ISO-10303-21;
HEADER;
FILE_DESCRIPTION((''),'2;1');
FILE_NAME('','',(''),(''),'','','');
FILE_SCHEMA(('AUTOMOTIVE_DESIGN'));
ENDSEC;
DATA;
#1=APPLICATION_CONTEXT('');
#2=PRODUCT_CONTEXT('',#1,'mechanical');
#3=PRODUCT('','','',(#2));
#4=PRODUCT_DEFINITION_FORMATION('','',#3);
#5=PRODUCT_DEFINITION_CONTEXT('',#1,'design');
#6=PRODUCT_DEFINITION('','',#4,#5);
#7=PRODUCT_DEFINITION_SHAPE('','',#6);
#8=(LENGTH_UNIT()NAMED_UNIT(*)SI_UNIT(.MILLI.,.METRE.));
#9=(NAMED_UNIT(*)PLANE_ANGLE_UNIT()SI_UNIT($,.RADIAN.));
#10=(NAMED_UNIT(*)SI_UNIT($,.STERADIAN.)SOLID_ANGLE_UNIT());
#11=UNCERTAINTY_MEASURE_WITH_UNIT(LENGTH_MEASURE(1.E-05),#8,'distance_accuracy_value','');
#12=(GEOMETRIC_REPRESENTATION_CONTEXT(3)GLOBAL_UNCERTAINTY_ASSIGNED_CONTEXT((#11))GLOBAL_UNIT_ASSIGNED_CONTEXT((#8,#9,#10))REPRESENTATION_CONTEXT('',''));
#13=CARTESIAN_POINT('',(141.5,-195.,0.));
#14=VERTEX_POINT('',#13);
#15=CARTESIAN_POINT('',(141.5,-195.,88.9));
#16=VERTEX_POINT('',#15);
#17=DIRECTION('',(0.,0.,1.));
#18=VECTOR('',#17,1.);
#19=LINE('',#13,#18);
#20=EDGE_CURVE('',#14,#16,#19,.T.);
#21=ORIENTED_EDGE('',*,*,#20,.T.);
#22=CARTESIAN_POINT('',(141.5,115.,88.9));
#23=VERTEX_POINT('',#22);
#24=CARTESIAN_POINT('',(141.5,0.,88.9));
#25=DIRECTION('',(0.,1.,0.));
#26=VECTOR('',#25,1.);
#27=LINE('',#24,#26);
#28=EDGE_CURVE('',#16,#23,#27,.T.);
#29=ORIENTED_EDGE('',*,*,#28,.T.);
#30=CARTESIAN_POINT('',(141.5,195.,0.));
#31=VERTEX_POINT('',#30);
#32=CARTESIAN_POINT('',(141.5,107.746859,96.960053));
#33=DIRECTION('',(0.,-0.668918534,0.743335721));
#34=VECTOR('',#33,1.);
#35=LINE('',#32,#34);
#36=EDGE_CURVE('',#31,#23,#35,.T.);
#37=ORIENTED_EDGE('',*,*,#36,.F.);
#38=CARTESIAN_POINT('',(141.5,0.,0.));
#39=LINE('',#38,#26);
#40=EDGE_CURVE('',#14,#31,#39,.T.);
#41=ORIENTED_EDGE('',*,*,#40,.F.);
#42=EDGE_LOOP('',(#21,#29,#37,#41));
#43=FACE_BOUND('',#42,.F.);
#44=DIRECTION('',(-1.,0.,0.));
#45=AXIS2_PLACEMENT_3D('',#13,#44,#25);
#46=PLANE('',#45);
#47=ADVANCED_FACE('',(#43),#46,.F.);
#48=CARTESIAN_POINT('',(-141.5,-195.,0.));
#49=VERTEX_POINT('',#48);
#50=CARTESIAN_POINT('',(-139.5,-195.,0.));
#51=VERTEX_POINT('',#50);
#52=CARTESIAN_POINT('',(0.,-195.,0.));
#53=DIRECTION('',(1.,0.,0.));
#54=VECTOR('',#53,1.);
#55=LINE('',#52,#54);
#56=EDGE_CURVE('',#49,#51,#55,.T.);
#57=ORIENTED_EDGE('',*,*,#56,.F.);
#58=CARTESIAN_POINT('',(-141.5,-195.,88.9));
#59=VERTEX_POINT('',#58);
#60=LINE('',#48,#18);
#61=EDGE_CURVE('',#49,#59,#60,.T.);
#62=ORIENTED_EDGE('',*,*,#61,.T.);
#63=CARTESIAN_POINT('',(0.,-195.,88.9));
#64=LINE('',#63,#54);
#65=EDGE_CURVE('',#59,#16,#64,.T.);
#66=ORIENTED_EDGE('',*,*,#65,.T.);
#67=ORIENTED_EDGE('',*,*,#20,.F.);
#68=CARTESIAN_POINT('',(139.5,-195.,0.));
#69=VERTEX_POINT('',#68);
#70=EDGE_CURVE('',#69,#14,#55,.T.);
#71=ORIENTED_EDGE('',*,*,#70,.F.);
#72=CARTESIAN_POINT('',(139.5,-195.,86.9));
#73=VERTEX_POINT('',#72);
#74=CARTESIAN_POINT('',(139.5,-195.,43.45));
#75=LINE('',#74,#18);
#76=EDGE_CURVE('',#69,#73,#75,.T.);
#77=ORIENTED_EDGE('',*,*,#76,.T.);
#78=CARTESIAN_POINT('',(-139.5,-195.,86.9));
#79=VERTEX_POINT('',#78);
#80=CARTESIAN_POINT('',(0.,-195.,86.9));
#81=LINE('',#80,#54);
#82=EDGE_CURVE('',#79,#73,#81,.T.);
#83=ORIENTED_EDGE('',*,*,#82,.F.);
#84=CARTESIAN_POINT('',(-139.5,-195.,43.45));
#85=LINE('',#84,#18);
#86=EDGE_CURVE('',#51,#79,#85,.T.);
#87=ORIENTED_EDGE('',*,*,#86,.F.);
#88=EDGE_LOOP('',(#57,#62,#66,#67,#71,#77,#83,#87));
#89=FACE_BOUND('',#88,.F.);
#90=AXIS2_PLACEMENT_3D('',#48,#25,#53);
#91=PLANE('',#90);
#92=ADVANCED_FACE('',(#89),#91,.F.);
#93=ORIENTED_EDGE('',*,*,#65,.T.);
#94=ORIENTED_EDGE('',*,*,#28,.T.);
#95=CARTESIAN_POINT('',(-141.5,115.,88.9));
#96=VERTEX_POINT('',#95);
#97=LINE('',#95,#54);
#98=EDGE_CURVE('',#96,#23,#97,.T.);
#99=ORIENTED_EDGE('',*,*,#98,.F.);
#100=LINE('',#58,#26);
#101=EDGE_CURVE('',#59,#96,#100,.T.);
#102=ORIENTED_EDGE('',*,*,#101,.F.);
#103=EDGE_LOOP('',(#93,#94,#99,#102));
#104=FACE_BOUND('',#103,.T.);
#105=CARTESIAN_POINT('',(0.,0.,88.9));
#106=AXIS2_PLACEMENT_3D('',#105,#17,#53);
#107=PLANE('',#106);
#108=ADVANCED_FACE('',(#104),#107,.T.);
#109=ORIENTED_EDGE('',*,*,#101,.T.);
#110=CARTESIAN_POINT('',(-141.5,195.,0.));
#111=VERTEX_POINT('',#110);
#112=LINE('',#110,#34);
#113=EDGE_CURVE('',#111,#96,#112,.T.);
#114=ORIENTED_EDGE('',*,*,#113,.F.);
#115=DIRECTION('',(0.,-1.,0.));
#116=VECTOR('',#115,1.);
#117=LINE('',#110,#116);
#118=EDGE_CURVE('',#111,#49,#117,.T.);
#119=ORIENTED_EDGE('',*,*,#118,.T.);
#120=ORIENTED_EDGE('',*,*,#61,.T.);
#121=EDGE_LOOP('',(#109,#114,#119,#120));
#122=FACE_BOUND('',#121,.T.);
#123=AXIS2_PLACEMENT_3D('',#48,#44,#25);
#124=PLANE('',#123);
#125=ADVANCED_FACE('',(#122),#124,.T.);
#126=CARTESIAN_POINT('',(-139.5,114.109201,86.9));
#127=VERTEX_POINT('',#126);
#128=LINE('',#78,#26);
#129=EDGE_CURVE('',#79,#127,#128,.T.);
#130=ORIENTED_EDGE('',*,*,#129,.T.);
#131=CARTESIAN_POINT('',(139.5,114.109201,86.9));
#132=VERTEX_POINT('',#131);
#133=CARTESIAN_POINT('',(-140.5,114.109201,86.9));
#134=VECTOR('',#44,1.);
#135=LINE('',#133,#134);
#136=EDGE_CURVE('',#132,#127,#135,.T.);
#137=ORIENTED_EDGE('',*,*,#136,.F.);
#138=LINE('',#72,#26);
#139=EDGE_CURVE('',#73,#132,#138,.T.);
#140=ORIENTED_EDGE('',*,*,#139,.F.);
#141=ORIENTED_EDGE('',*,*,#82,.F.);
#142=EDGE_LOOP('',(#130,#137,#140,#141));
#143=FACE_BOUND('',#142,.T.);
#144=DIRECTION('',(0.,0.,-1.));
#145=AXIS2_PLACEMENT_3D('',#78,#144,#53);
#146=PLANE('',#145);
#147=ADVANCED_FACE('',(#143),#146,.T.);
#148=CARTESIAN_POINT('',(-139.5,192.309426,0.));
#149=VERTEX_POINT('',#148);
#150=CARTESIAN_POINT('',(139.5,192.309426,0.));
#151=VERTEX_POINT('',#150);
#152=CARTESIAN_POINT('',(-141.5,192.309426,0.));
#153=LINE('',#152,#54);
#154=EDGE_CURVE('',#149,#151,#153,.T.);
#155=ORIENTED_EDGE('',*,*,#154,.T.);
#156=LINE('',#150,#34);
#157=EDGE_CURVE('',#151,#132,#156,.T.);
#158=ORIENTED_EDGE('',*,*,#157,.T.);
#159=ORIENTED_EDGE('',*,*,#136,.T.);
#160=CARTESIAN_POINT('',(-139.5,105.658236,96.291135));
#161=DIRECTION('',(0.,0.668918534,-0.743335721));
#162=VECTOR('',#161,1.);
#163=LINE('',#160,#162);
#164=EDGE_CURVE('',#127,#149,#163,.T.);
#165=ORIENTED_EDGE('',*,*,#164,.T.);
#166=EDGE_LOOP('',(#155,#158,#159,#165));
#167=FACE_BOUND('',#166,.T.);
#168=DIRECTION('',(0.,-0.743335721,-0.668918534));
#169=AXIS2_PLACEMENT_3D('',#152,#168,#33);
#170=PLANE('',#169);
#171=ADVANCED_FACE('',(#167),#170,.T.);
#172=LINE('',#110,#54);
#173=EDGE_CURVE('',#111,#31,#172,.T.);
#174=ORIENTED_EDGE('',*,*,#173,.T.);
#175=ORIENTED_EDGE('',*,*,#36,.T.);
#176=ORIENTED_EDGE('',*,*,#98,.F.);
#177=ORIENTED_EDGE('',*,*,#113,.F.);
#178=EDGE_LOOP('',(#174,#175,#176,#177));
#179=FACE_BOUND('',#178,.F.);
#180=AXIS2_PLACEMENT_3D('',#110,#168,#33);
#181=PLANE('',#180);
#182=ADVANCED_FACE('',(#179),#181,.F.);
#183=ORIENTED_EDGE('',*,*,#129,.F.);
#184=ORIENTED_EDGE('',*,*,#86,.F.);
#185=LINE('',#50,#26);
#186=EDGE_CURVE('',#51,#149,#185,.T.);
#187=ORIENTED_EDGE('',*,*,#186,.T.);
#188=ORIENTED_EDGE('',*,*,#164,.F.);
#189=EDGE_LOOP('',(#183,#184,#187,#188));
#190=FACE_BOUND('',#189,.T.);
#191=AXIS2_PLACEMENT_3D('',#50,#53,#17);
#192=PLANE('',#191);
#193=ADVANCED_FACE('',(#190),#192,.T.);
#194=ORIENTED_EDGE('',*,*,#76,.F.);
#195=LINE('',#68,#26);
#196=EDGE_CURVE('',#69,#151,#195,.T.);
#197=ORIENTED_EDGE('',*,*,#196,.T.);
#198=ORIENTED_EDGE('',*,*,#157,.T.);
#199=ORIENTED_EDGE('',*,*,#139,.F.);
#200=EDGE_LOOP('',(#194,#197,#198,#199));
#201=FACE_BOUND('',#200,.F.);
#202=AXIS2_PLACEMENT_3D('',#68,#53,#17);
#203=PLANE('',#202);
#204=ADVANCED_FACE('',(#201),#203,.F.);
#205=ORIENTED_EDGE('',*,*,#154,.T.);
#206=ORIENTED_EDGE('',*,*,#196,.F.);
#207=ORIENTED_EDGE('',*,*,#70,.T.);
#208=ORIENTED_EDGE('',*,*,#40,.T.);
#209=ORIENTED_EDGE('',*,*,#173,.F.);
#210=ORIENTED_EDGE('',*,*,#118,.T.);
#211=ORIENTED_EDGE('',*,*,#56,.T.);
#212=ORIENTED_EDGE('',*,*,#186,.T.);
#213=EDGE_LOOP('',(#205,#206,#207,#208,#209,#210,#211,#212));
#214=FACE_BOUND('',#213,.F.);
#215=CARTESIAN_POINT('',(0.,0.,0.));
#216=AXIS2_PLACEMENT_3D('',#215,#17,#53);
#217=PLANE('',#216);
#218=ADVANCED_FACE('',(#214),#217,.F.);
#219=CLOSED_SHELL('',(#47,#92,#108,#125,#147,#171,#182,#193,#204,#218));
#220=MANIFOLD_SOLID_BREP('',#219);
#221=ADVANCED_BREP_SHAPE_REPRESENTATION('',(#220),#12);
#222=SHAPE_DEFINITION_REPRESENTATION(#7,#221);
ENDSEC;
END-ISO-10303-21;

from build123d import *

# Parameters (mm, degrees)
F0_W     = 283
F0_H     = 390
F1_DEPTH = 88.9
F3_DEPTH = 283.001
F4_W     = 279
F4_H     = 86.9
F5_DEPTH = 390.001
F6_DEPTH = 281


with BuildPart() as f1:
    # F0 (on Top) → F1 (new body)
    with BuildSketch(Plane.XY):
        Rectangle(F0_W, F0_H)
    extrude(amount=F1_DEPTH)

    # F2 (on face) → F3 (cut, through all)
    with BuildSketch(Plane(origin=(-141.5, 0, 0), x_dir=(0, -1, 0), z_dir=(-1, 0, 0))):
        Polygon((-115, 88.9), (-195, 88.9), (-195, 0), align=None)
    extrude(amount=-F3_DEPTH, mode=Mode.SUBTRACT)

    # F4 (on face) → F5 (cut, through all)
    with BuildSketch(Plane.XZ.offset(195)):
        with Locations((0, 43.45)):
            Rectangle(F4_W, F4_H)
    extrude(amount=-F5_DEPTH, mode=Mode.SUBTRACT)

    # F2 (on face) → F6 (join, through all)
    with BuildSketch(Plane(origin=(-141.5, 0, 0), x_dir=(0, -1, 0), z_dir=(-1, 0, 0))):
        Polygon((-112.309426, 88.9), (-115, 88.9), (-195, 0), (-192.309426, 0), align=None)
    extrude(amount=-F6_DEPTH)


solid = f1.part
